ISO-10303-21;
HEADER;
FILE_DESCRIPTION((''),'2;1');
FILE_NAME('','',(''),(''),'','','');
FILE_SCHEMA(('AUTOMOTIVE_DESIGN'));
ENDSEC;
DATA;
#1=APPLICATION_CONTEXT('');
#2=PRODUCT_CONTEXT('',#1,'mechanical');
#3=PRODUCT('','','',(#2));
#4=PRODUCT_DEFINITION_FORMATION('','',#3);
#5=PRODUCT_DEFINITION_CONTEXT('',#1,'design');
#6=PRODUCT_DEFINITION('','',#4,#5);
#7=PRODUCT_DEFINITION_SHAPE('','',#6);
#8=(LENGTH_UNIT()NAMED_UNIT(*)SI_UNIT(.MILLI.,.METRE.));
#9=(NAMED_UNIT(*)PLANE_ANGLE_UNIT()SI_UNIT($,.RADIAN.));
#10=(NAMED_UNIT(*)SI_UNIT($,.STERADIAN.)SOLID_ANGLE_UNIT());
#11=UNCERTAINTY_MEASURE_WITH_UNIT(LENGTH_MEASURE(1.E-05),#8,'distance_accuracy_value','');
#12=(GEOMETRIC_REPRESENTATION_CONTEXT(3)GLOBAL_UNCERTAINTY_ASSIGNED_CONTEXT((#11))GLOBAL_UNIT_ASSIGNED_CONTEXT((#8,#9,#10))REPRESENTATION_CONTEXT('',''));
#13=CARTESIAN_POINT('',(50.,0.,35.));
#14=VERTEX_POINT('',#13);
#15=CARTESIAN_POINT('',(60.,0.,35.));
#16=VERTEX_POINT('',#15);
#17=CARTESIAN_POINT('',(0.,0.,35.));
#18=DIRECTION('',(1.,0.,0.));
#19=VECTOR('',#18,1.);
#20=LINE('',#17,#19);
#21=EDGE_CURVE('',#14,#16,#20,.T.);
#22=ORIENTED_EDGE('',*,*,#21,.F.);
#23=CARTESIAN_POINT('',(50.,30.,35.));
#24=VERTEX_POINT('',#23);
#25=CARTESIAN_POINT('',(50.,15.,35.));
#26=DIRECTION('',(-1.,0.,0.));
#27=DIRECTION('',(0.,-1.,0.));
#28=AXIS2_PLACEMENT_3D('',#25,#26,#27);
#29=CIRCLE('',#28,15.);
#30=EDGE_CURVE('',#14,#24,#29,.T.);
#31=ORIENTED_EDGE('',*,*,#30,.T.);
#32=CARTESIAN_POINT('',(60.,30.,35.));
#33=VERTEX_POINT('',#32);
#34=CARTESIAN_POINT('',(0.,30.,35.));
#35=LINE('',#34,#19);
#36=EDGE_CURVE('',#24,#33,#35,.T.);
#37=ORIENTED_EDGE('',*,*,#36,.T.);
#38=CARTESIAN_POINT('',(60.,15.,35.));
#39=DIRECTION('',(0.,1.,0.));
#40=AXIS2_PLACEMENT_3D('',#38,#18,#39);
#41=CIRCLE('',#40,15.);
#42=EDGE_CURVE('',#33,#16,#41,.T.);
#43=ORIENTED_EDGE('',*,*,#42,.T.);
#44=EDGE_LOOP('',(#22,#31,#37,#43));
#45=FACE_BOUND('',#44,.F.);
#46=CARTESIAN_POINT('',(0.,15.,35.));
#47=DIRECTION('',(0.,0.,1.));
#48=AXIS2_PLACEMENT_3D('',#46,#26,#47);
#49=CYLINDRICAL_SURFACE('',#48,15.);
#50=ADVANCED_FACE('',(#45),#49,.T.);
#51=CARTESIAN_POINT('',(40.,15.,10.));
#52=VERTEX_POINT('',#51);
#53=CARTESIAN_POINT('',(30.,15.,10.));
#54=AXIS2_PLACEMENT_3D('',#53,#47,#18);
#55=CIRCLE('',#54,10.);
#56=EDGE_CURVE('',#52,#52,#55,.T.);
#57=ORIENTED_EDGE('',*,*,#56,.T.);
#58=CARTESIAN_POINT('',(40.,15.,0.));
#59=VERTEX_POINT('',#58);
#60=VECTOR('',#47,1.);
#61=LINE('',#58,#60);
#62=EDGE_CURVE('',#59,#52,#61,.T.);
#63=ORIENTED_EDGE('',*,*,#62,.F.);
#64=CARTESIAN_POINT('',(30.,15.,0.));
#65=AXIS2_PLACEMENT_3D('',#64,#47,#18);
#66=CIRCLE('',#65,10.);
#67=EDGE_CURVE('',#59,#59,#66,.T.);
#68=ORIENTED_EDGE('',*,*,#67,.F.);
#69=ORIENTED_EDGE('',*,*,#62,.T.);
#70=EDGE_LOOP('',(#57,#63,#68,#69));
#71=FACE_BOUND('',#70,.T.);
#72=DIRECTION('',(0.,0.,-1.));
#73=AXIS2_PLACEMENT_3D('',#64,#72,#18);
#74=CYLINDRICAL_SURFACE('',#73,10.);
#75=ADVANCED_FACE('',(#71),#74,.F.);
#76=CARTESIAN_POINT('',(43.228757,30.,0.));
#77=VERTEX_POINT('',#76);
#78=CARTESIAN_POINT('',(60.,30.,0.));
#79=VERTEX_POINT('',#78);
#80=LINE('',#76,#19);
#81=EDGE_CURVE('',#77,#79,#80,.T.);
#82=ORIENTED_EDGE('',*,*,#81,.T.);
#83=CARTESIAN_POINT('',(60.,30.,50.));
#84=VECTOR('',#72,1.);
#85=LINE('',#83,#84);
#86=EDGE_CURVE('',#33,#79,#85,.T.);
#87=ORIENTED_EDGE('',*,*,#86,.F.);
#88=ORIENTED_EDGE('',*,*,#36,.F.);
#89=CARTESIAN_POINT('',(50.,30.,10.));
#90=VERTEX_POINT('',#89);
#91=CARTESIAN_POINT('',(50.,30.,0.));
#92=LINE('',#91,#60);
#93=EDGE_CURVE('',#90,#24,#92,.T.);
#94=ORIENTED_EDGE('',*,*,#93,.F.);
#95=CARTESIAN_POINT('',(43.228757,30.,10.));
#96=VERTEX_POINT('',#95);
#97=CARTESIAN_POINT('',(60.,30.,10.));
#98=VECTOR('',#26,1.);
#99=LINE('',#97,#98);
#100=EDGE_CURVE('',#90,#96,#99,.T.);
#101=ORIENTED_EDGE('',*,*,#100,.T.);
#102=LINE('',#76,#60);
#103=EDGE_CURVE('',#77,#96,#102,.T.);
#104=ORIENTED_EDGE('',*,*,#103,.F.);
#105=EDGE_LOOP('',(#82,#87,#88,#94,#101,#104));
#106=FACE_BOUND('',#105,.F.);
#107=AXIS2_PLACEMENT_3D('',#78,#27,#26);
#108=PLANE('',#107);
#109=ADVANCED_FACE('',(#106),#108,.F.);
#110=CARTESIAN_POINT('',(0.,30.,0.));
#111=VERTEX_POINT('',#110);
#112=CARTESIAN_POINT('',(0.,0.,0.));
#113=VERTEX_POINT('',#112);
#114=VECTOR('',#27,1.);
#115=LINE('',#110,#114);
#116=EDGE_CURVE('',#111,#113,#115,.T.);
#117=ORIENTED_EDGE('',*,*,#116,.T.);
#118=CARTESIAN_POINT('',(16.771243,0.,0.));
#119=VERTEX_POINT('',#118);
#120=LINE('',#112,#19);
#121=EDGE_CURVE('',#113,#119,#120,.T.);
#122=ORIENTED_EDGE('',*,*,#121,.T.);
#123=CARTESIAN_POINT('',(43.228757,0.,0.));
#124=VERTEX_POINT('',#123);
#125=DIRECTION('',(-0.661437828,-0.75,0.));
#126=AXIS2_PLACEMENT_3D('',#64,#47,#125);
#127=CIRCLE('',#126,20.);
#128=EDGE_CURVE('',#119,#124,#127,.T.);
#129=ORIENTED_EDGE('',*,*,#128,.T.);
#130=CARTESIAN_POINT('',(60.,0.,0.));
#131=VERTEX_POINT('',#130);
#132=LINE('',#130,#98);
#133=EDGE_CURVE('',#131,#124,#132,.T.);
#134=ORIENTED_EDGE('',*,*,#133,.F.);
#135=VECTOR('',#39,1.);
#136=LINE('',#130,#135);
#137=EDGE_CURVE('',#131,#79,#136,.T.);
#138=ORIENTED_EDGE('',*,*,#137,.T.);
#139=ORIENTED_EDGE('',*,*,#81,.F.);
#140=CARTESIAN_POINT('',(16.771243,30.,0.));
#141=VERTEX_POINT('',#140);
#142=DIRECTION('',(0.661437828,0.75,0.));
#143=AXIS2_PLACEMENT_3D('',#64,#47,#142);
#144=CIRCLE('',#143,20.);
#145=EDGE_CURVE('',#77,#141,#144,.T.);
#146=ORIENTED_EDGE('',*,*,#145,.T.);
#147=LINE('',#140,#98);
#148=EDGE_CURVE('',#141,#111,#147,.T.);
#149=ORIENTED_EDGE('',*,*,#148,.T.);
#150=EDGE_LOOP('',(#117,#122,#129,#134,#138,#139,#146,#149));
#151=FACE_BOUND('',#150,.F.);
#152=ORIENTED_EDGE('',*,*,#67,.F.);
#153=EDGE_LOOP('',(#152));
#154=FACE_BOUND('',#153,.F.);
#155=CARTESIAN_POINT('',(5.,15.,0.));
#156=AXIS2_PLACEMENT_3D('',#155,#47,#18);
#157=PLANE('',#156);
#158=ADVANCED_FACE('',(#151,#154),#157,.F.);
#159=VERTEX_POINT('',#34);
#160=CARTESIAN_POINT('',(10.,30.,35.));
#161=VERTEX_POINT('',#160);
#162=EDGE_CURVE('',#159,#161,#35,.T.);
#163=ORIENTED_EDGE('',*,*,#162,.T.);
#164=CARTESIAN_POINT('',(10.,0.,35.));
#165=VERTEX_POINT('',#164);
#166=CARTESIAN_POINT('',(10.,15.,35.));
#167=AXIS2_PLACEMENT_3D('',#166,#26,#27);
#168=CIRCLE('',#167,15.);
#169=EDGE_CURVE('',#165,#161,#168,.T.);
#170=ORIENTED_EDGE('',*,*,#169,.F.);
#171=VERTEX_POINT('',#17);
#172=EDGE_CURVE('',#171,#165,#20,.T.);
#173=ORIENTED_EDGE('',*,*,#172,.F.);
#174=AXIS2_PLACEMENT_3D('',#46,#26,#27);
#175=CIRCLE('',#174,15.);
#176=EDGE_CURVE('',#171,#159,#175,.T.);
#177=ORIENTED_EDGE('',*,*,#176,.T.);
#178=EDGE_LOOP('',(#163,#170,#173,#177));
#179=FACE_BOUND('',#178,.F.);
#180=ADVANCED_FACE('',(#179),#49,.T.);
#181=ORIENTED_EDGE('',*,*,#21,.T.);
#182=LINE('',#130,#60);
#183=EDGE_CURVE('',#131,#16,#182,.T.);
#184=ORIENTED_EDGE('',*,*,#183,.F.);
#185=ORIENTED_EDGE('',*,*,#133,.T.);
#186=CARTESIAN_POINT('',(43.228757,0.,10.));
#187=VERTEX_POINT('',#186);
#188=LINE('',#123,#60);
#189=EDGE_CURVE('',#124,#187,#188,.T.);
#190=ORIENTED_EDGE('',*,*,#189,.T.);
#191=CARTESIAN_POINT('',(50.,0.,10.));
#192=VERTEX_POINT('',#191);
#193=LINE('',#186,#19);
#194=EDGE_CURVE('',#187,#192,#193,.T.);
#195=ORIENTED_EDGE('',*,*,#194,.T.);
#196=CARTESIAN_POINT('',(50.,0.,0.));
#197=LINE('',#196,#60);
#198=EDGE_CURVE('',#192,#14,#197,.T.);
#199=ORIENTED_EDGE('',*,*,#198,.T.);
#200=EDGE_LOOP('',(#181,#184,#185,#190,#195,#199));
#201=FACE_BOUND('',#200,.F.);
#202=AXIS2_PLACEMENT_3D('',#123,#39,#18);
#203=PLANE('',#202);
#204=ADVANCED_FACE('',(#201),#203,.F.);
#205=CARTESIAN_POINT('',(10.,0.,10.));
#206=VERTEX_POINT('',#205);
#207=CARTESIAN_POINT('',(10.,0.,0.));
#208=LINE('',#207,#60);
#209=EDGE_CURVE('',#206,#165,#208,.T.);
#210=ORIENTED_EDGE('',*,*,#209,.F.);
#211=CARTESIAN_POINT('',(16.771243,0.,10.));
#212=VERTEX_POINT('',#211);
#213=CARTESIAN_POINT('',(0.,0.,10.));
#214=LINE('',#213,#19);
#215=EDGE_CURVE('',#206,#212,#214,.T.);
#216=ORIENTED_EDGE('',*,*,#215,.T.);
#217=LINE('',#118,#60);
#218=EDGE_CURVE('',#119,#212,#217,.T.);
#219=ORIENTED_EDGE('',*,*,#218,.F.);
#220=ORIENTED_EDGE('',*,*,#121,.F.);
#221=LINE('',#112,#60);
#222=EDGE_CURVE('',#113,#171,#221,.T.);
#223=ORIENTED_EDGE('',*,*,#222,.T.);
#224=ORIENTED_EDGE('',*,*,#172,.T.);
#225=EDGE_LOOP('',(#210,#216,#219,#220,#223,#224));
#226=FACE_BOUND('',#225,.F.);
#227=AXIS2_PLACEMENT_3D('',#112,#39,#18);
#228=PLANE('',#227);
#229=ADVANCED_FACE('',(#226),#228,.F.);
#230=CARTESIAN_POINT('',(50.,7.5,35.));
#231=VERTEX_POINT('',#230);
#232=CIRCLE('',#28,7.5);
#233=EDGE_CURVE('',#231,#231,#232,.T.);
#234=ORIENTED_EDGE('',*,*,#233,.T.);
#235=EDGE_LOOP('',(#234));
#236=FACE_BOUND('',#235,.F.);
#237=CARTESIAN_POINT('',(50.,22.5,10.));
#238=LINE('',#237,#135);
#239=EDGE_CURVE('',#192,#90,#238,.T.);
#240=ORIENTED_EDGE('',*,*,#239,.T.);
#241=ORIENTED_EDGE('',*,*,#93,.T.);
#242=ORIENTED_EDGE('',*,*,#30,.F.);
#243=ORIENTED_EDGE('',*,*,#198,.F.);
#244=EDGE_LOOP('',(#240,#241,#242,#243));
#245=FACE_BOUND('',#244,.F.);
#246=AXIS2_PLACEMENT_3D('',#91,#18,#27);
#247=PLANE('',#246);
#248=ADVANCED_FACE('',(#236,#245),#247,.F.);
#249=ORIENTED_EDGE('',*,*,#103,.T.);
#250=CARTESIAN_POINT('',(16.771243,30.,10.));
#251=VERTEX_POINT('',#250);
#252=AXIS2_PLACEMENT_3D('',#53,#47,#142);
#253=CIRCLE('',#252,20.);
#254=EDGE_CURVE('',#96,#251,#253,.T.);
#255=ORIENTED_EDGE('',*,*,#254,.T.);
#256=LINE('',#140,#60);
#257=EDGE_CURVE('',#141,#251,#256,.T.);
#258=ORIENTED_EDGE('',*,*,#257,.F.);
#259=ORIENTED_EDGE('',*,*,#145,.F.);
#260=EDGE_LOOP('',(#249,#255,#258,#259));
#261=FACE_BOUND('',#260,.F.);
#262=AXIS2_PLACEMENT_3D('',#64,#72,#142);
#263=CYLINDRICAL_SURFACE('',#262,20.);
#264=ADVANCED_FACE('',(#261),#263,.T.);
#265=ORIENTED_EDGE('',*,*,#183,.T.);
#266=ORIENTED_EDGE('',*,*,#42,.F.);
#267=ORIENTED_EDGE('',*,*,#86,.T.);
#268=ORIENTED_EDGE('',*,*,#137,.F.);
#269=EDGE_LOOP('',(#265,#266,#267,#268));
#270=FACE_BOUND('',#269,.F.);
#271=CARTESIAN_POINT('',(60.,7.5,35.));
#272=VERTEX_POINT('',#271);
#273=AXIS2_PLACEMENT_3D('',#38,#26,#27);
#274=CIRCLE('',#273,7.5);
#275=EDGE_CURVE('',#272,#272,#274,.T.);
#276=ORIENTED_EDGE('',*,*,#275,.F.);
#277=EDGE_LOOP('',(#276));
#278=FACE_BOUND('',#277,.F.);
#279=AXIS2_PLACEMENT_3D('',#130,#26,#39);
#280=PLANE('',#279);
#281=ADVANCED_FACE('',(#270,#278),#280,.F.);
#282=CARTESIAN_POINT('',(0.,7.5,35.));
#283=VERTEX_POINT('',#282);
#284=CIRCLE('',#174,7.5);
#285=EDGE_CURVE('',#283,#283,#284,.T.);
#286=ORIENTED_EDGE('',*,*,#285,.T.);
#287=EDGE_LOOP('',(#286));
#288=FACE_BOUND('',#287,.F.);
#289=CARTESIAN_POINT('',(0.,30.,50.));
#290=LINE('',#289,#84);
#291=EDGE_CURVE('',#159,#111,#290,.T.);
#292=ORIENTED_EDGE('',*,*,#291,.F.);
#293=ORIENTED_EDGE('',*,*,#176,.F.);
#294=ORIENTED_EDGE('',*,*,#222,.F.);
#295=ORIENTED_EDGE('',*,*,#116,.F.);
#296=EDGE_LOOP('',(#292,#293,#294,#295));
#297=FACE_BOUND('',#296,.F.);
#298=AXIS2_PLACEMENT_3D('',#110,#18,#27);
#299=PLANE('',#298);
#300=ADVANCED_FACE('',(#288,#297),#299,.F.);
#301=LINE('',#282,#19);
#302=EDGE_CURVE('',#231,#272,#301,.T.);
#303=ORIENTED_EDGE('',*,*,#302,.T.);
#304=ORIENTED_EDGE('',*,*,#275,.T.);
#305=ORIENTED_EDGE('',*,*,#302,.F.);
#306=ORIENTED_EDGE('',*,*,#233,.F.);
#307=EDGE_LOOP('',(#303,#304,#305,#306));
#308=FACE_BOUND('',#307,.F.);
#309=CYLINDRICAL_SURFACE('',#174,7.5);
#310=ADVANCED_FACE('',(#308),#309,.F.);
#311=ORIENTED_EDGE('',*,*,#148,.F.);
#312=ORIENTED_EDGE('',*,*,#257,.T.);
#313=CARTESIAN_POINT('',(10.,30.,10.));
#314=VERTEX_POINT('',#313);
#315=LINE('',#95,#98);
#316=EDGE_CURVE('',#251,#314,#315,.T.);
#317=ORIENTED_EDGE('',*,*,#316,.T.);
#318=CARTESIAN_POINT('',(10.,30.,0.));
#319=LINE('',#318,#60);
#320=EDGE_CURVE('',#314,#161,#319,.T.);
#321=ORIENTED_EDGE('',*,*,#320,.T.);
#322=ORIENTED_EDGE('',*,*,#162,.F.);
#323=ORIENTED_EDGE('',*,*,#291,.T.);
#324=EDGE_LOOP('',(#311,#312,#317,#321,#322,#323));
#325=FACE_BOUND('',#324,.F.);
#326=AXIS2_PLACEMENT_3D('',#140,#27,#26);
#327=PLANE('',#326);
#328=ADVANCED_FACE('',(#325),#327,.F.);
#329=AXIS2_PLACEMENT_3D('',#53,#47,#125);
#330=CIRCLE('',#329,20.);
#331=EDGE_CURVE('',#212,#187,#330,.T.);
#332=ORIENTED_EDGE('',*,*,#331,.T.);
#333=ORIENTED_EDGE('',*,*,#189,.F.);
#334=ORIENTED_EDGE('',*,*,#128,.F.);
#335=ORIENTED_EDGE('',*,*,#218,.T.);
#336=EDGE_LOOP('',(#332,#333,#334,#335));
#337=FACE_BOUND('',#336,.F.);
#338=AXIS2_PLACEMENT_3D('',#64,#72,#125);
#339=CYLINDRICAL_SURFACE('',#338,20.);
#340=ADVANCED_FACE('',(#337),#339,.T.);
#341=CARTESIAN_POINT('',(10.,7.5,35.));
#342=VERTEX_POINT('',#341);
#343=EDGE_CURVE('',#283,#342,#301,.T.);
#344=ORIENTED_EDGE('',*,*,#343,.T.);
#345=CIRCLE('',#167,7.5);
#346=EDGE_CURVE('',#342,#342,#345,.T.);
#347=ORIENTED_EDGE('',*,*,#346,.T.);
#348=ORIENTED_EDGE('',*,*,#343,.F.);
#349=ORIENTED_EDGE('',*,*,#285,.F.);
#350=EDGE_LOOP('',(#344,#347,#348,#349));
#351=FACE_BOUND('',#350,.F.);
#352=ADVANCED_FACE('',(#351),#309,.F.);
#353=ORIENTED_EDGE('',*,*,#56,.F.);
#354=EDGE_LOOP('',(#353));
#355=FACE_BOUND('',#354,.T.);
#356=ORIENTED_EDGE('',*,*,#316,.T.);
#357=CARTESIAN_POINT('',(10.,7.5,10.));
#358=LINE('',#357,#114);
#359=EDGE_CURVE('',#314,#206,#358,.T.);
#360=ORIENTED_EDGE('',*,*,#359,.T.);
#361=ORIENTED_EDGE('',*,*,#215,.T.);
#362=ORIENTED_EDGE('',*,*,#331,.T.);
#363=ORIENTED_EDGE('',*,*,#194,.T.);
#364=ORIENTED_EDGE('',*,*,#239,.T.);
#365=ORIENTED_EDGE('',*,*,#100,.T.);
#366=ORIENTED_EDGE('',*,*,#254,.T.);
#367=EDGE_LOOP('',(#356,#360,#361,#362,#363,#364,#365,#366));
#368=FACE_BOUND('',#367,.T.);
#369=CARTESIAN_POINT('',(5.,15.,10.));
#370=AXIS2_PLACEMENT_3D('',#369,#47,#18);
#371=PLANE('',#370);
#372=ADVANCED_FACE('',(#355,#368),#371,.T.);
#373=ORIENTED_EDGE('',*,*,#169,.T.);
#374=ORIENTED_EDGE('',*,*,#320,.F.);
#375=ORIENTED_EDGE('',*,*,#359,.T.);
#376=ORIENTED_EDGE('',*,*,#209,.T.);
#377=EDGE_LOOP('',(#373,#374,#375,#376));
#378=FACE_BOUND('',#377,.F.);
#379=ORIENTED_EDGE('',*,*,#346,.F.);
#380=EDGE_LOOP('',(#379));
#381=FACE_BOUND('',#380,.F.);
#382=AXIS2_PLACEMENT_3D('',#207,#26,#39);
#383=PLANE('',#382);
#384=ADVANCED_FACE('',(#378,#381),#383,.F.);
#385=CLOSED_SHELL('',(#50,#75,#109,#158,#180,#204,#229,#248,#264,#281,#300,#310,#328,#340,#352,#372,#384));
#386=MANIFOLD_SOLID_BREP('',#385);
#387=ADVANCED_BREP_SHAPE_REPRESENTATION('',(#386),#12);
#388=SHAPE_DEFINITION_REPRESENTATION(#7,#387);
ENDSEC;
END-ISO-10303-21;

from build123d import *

# Parameters (mm, degrees)
F0_R     = 10
F1_DEPTH = 10
F2_DEPTH = 50
F3_R     = 7.5
F4_DEPTH = 60.001


with BuildPart() as f1:
    # F0 (on Top) → F1 (new body)
    with BuildSketch(Plane.XY):
        Polygon((0, 30), (0, 0), (10, 0), (10, 15), (10, 30), align=None)
        with BuildLine():
            Line((10, 15), (10, 0))
            Line((10, 0), (16.7712434447, 0))
            ThreePointArc((16.7712434447, 0), (11.7712434447, 6.7712434447), (10, 15))
        make_face()
        with BuildLine():
            ThreePointArc((10, 15), (11.7712434447, 6.7712434447), (16.7712434447, 0))
            Line((16.7712434447, 0), (43.2287565553, 0))
            ThreePointArc((43.2287565553, 0), (48.2287565553, 6.7712434447), (50, 15))
            ThreePointArc((50, 15), (48.2287565553, 23.2287565553), (43.2287565553, 30))
            Line((43.2287565553, 30), (16.7712434447, 30))
            ThreePointArc((16.7712434447, 30), (11.7712434447, 23.2287565553), (10, 15))
        make_face()
        with Locations((30, 15)):
            Circle(F0_R, mode=Mode.SUBTRACT)
        with BuildLine():
            Line((43.2287565553, 0), (16.7712434447, 0))
            ThreePointArc((16.7712434447, 0), (30, -5), (43.2287565553, 0))
        make_face()
        with BuildLine():
            Line((10, 30), (10, 15))
            ThreePointArc((10, 15), (11.7712434447, 23.2287565553), (16.7712434447, 30))
            Line((16.7712434447, 30), (10, 30))
        make_face()
        with BuildLine():
            ThreePointArc((50, 15), (48.2287565553, 6.7712434447), (43.2287565553, 0))
            Line((43.2287565553, 0), (50, 0))
            Line((50, 0), (50, 15))
        make_face()
        with BuildLine():
            ThreePointArc((43.2287565553, 30), (30, 35), (16.7712434447, 30))
            Line((16.7712434447, 30), (43.2287565553, 30))
        make_face()
        Polygon((50, 15), (50, 0), (60, 0), (60, 30), (50, 30), align=None)
        with BuildLine():
            ThreePointArc((43.2287565553, 30), (48.2287565553, 23.2287565553), (50, 15))
            Line((50, 15), (50, 30))
            Line((50, 30), (43.2287565553, 30))
        make_face()
    extrude(amount=F1_DEPTH)

    # F0 (on Top) → F2 (join)
    with BuildSketch(Plane.XY):
        Polygon((0, 30), (0, 0), (10, 0), (10, 15), (10, 30), align=None)
        Polygon((50, 15), (50, 0), (60, 0), (60, 30), (50, 30), align=None)
    extrude(amount=F2_DEPTH)

    # F3 (on face) → F4 (cut, through all)
    with BuildSketch(Plane(origin=(0, 0, 0), x_dir=(0, -1, 0), z_dir=(-1, 0, 0))):
        with Locations((-15, 35)):
            Circle(F3_R)
        with BuildLine():
            Line((-30, 50), (-30, 35))
            ThreePointArc((-30, 35), (-25.6066017178, 45.6066017178), (-15, 50))
            Line((-15, 50), (-30, 50))
        make_face()
        with BuildLine():
            Line((0, 50), (-15, 50))
            ThreePointArc((-15, 50), (-4.3933982822, 45.6066017178), (0, 35))
            Line((0, 35), (0, 50))
        make_face()
    extrude(amount=-F4_DEPTH, mode=Mode.SUBTRACT)


solid = f1.part
